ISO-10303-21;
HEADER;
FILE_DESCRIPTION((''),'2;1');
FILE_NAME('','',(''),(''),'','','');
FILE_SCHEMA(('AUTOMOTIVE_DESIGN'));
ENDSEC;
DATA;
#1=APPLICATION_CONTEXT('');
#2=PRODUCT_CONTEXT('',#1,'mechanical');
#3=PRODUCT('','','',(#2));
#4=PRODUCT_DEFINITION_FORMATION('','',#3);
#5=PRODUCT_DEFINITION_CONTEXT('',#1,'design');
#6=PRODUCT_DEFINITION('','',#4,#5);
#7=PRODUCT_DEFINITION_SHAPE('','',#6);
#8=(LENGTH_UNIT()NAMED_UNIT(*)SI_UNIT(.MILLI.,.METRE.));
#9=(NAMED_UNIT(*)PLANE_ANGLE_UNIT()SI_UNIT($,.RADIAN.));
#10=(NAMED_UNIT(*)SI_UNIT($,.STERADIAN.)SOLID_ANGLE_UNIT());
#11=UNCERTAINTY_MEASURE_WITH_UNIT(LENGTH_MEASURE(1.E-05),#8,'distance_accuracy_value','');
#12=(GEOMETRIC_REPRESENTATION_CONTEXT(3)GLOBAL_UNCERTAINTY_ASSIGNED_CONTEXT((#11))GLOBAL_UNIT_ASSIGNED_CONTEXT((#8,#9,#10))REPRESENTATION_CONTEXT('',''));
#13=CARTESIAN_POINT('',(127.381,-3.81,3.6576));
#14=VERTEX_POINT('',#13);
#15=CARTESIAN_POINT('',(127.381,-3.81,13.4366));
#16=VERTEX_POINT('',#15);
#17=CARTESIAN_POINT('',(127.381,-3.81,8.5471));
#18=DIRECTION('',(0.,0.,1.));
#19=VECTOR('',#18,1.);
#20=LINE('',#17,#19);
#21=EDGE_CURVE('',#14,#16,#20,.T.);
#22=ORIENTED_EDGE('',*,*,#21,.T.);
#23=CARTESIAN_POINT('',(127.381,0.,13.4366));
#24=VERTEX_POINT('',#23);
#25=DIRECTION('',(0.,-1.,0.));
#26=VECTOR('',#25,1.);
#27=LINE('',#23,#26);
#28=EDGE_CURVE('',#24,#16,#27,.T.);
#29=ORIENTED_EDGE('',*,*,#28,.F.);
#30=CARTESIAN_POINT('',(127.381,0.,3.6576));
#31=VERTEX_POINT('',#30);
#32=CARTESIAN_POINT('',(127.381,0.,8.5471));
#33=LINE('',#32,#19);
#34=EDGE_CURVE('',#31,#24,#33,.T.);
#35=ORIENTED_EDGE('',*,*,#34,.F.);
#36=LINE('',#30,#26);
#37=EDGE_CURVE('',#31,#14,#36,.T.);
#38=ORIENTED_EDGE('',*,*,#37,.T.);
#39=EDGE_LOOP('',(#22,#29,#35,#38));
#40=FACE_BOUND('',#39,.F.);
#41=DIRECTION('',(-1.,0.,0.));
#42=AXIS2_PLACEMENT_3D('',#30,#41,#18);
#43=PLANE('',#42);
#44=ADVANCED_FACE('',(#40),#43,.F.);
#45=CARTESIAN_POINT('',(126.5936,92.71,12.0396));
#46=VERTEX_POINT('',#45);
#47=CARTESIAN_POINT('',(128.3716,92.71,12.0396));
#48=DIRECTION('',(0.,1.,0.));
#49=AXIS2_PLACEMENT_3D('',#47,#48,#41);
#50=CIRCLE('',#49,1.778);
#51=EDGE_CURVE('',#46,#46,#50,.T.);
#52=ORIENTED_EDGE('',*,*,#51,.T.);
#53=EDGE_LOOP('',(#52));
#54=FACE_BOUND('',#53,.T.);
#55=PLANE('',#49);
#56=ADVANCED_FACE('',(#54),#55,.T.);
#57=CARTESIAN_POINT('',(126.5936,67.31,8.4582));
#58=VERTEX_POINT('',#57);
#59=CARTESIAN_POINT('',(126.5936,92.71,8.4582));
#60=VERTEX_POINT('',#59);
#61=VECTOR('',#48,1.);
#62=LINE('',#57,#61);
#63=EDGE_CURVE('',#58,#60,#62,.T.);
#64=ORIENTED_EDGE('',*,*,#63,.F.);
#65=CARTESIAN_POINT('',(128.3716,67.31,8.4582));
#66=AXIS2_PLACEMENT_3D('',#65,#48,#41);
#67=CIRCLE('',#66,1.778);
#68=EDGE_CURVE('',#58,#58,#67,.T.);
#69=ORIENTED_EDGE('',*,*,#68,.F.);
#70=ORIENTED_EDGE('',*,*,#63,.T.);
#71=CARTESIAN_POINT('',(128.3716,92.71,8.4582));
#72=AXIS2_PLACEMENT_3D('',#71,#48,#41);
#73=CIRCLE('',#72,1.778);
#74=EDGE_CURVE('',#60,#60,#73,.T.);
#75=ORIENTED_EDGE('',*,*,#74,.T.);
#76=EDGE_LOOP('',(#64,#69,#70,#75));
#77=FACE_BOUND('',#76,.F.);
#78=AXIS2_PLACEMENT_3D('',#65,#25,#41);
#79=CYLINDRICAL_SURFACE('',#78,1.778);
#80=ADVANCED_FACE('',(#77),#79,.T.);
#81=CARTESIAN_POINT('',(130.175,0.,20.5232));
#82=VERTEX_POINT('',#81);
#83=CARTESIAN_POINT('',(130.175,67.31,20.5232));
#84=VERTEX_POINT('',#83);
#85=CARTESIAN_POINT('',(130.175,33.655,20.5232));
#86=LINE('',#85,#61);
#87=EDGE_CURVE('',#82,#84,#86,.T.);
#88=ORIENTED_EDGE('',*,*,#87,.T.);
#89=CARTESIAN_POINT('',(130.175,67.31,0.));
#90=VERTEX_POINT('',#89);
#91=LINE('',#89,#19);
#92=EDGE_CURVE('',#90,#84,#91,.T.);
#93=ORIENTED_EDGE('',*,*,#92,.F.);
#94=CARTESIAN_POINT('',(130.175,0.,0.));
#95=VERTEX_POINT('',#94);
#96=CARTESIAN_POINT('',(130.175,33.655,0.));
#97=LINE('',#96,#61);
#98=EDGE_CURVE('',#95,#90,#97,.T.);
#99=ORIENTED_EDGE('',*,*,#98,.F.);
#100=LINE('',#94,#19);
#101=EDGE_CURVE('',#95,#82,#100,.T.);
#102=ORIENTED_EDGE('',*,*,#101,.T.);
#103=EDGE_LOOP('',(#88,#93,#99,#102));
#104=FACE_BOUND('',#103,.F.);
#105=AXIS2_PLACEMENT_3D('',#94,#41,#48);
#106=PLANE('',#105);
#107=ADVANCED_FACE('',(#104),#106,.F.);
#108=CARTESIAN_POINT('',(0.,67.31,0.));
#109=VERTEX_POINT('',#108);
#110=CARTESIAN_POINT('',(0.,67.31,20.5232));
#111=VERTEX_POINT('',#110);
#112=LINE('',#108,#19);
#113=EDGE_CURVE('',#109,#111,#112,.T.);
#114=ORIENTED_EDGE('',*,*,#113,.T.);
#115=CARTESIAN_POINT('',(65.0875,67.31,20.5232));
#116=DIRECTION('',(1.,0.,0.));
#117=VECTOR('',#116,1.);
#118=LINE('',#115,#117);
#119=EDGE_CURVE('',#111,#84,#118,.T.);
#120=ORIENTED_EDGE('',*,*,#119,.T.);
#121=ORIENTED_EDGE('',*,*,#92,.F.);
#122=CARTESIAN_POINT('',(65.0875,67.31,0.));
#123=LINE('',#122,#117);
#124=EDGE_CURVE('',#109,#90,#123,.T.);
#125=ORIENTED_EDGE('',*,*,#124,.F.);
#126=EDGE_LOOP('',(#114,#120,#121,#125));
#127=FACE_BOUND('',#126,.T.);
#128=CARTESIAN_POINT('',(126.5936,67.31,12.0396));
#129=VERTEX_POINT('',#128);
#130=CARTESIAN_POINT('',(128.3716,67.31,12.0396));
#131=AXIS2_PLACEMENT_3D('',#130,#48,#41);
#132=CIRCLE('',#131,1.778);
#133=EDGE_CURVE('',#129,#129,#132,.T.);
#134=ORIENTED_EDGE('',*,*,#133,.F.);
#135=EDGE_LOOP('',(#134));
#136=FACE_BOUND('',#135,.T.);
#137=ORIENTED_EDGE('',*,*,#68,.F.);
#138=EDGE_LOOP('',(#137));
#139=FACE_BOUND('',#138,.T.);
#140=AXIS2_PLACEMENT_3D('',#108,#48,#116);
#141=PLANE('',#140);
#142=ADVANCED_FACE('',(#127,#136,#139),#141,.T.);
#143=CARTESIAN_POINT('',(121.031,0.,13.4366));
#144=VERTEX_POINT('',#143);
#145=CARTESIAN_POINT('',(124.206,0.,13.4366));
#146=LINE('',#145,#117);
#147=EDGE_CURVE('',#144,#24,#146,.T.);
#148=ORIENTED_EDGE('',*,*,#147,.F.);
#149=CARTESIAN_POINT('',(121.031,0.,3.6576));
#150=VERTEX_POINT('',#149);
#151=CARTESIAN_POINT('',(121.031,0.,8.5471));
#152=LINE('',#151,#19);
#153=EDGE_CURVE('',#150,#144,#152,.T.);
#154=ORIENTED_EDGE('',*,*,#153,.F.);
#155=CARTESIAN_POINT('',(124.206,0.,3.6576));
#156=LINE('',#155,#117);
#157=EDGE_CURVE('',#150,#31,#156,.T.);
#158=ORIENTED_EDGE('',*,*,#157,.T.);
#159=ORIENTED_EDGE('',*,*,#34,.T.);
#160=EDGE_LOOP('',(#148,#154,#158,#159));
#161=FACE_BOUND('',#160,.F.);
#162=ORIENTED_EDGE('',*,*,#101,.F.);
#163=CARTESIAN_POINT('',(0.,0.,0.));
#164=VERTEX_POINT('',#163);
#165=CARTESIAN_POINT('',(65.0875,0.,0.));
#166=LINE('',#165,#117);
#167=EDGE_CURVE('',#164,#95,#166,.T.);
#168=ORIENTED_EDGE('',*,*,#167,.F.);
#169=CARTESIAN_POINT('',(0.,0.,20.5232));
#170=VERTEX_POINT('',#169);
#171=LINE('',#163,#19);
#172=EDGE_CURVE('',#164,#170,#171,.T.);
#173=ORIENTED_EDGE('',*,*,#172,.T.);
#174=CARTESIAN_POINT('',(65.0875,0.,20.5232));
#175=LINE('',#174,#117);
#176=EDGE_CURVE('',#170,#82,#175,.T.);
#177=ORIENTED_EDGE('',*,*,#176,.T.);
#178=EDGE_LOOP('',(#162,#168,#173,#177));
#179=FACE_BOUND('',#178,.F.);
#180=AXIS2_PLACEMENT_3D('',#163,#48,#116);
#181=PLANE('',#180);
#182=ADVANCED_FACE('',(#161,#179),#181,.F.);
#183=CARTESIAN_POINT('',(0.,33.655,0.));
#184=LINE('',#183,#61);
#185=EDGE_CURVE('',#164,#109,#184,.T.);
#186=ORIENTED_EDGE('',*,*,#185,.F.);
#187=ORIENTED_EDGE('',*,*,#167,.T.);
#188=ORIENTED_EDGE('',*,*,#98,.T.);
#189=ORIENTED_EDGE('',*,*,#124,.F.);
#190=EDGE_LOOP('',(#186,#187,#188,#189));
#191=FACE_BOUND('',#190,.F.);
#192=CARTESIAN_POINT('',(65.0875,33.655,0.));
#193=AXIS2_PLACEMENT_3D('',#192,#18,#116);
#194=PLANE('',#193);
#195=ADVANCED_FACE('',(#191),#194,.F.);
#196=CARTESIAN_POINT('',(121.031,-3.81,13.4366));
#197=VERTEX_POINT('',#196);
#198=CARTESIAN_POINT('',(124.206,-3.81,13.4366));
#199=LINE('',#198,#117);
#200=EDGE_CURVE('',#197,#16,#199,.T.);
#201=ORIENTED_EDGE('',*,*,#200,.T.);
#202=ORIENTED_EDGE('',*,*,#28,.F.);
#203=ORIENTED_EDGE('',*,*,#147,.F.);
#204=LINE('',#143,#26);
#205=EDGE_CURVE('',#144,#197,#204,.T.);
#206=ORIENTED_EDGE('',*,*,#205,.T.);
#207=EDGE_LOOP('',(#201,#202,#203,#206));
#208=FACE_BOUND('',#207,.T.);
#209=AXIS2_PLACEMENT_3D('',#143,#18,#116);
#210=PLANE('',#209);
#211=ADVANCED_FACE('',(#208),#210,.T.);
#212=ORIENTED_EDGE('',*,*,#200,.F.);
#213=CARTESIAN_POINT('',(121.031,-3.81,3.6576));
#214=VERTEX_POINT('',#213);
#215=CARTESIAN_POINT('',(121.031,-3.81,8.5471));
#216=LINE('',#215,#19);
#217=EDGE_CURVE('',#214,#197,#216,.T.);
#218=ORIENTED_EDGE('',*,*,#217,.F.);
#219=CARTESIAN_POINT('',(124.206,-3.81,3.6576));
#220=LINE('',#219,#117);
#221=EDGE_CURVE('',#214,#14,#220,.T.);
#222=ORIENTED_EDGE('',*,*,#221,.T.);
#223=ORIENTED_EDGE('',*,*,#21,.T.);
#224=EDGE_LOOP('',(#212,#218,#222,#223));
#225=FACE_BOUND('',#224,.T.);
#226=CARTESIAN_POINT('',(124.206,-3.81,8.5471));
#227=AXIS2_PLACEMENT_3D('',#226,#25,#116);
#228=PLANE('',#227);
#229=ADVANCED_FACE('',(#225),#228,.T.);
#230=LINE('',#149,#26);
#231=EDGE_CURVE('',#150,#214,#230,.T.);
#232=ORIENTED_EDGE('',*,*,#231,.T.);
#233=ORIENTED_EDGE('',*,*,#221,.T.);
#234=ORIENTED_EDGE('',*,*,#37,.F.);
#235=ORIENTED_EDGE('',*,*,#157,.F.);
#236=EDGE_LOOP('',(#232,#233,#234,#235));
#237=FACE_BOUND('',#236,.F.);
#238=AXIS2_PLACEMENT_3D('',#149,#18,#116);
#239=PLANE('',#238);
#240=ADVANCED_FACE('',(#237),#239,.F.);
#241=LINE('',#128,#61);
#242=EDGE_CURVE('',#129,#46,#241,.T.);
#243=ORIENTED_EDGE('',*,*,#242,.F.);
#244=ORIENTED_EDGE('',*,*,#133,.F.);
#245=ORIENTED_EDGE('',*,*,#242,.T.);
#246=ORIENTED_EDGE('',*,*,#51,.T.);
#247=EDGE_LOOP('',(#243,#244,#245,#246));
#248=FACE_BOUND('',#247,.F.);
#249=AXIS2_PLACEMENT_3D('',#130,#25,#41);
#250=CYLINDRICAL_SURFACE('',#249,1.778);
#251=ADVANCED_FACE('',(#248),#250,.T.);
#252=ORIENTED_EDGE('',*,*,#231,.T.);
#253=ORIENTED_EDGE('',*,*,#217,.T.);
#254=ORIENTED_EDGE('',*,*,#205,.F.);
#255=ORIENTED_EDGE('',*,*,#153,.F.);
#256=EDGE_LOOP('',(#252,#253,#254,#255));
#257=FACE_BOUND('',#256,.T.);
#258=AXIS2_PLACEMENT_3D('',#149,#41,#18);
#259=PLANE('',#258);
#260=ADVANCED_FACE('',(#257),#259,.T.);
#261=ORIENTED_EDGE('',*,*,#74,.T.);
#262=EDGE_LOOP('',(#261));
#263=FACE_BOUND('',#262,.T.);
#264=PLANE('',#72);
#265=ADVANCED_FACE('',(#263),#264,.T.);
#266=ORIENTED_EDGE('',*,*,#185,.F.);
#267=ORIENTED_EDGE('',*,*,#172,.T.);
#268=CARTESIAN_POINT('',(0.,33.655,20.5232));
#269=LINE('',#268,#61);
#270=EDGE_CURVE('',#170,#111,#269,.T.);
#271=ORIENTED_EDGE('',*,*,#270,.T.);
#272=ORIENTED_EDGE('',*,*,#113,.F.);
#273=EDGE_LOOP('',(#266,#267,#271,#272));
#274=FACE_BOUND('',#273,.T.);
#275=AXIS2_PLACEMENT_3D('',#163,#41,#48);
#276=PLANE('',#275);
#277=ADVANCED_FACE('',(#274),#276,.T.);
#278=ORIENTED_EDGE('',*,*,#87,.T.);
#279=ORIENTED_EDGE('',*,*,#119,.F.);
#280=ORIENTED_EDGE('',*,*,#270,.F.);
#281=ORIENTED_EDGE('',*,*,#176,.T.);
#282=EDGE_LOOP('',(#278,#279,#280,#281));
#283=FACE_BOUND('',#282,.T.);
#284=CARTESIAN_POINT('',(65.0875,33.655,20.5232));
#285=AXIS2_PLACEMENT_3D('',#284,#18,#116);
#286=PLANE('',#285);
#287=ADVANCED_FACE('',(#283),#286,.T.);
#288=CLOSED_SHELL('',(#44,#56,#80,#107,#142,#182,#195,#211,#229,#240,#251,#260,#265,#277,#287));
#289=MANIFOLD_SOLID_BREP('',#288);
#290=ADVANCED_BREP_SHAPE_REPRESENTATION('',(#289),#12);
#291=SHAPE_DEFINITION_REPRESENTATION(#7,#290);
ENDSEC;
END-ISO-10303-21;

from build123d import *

# Parameters (mm, degrees)
F0_W     = 130.175
F0_H     = 67.31
F1_DEPTH = 20.5232
F2_W     = 6.35
F2_H     = 9.779
F3_DEPTH = 3.81
F4_R     = 1.778
F5_DEPTH = 25.4


with BuildPart() as f1:
    # F0 (on Top) → F1 (new body)
    with BuildSketch(Plane.XY):
        with Locations((65.0875, 33.655)):
            Rectangle(F0_W, F0_H)
    extrude(amount=F1_DEPTH)

    # F2 (on face) → F3 (join)
    with BuildSketch(Plane.XZ):
        with Locations((124.206, 8.5471)):
            Rectangle(F2_W, F2_H)
    extrude(amount=F3_DEPTH)

    # F4 (on face) → F5 (join)
    with BuildSketch(Plane(origin=(0, 67.31, 0), x_dir=(-1, 0, 0), z_dir=(0, 1, 0))):
        with Locations((-128.3716, 8.4582)):
            Circle(F4_R)
        with Locations((-128.3716, 12.0396)):
            Circle(F4_R)
    extrude(amount=F5_DEPTH)


solid = f1.part
